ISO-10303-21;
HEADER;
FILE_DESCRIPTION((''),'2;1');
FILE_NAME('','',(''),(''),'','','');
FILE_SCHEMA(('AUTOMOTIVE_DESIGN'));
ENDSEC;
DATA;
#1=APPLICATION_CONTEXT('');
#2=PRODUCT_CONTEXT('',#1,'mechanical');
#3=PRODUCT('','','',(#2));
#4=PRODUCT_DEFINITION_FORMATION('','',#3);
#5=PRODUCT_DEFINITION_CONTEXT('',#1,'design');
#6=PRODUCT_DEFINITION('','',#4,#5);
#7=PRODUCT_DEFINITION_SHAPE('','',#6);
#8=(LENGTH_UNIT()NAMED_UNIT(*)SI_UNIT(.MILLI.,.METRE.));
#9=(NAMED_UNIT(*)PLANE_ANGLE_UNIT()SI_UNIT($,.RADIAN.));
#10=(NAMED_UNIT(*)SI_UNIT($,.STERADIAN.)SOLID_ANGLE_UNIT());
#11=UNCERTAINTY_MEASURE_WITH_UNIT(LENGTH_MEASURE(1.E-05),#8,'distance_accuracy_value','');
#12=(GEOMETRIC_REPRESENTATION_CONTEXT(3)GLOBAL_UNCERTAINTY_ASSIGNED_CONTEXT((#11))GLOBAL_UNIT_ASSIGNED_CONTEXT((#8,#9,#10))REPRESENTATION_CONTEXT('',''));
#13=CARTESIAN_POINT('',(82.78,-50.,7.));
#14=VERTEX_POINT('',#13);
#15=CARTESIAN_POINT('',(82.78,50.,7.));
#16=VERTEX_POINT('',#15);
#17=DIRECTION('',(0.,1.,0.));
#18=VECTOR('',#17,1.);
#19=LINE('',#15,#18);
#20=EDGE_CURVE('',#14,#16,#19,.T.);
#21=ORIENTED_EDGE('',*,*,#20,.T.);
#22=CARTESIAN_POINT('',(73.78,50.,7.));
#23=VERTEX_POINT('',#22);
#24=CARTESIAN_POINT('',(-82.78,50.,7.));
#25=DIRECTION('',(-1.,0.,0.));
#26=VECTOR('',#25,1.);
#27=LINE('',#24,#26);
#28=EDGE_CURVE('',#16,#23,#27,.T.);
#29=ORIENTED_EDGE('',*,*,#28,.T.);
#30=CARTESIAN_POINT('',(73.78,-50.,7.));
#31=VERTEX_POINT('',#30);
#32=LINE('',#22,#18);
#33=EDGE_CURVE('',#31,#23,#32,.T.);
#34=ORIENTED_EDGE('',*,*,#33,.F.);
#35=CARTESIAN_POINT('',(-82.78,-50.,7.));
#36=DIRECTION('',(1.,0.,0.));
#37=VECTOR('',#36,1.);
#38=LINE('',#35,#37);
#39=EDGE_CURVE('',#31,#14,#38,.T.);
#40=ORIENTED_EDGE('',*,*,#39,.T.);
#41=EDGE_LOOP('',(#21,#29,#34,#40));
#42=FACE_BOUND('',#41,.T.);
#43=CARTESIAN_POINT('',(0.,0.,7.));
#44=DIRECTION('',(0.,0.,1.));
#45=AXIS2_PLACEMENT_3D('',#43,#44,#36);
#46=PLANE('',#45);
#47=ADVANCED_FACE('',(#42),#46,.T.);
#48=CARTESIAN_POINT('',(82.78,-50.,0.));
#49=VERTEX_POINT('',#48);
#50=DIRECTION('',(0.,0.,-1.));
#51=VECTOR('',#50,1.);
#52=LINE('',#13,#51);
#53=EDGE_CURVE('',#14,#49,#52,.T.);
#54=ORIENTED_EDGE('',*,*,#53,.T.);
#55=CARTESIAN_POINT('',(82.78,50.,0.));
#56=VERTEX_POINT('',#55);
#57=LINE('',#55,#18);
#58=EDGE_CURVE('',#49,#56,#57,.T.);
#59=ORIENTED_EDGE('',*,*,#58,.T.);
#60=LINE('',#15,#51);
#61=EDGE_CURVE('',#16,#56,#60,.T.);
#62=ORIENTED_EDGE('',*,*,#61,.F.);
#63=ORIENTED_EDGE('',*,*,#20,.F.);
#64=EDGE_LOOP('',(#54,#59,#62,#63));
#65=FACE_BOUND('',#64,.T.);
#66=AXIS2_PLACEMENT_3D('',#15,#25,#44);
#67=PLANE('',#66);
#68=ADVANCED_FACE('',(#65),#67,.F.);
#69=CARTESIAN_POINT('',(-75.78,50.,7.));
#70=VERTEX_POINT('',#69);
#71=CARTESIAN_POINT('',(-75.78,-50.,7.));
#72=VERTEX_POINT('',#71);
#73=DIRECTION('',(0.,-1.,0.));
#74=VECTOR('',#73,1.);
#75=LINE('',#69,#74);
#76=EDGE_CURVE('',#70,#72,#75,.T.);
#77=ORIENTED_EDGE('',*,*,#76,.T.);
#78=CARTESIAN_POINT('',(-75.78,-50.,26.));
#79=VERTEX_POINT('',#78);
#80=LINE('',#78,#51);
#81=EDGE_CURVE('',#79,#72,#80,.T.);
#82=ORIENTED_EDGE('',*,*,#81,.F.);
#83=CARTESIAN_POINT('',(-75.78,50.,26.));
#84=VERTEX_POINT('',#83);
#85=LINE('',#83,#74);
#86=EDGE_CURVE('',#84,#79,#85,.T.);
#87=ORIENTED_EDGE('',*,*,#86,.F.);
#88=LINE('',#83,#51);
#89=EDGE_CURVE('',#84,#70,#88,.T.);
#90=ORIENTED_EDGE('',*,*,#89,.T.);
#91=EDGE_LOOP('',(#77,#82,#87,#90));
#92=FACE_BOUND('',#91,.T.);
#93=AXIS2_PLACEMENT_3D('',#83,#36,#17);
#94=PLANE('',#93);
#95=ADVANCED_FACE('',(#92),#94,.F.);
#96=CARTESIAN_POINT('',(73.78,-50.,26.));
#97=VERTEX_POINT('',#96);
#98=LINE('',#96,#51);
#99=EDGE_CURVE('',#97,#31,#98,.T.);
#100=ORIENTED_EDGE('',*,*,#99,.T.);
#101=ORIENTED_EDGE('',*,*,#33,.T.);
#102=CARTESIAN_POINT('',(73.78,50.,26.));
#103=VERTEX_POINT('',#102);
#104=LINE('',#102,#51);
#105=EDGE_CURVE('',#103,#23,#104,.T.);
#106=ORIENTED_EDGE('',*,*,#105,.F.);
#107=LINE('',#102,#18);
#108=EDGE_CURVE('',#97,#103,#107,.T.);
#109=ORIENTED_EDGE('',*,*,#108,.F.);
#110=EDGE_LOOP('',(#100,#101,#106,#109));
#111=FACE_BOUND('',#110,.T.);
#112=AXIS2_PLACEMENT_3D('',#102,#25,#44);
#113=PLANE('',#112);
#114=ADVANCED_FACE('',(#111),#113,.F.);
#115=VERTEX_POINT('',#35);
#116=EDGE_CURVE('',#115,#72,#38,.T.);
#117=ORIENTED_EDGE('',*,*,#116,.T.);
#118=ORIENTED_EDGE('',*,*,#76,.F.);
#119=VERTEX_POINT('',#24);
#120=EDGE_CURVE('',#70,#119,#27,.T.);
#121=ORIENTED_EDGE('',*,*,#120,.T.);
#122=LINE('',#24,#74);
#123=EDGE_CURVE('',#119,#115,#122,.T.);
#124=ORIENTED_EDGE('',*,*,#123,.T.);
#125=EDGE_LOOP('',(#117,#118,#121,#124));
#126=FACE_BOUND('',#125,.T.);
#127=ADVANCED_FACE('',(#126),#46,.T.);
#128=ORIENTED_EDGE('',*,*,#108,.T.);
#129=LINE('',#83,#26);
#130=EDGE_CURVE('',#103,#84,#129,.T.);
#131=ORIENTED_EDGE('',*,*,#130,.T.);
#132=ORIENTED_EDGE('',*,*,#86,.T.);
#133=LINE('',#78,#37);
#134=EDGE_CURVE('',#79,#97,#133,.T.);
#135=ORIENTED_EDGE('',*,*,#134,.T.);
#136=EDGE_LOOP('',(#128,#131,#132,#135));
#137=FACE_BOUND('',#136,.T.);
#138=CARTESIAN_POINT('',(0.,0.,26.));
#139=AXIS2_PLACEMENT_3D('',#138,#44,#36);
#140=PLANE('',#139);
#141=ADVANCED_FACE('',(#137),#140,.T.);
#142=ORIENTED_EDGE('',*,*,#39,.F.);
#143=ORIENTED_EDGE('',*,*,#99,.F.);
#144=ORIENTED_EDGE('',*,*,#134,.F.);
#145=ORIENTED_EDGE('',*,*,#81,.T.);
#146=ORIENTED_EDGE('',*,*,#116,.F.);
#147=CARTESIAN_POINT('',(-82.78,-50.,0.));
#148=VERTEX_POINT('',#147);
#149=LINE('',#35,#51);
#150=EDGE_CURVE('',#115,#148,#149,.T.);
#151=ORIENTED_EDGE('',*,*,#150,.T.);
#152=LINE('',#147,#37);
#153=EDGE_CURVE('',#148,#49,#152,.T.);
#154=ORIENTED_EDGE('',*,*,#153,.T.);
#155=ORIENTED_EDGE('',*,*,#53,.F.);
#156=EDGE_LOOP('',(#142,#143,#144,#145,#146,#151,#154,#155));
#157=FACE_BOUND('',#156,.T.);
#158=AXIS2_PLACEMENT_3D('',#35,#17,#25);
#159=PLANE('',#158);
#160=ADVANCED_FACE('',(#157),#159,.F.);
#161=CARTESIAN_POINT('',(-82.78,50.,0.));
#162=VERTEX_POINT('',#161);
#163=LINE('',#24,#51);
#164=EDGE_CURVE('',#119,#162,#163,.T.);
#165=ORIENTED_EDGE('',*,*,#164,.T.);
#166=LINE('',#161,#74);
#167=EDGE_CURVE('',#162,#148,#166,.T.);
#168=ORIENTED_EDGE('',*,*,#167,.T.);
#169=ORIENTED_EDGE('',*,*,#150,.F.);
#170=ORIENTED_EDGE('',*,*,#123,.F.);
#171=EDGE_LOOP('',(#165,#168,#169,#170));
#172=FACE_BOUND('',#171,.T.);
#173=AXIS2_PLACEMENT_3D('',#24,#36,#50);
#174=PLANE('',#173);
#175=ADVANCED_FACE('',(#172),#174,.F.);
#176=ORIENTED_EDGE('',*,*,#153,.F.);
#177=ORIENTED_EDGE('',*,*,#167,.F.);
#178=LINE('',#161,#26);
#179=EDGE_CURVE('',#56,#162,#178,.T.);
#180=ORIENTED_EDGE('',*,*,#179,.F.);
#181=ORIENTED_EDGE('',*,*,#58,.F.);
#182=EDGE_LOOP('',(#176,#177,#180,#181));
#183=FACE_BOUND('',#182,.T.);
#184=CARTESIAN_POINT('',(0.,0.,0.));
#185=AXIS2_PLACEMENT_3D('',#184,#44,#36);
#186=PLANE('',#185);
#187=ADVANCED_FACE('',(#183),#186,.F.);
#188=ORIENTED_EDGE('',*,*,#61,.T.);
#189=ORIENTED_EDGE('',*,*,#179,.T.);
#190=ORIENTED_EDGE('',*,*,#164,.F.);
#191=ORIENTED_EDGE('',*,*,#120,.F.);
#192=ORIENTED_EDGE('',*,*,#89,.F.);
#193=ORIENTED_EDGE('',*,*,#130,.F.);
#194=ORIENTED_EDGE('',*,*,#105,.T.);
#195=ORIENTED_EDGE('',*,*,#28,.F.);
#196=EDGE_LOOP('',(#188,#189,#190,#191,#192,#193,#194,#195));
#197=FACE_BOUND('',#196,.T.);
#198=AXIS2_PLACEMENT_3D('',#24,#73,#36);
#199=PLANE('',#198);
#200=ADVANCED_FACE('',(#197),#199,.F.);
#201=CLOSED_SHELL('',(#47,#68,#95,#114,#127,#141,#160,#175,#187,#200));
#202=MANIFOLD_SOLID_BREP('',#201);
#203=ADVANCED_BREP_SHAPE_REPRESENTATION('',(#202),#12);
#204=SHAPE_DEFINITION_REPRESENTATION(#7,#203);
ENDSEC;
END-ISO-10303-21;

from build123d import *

# Parameters (mm, degrees)
ESQUISSE1_W        = 165.56
ESQUISSE1_H        = 100
BOSS_EXTRU_1_DEPTH = 7
ESQUISSE2_W        = 149.56
ESQUISSE2_H        = 100
BOSS_EXTRU_2_DEPTH = 19


with BuildPart() as part:
    # Esquisse1 → Boss.-Extru.1 (new body)
    with BuildSketch(Plane.XY):
        Rectangle(ESQUISSE1_W, ESQUISSE1_H)
    extrude(amount=BOSS_EXTRU_1_DEPTH)

    # Esquisse2 → Boss.-Extru.2 (add)
    with BuildSketch(Plane.XY.offset(7)):
        with Locations((-1, 0)):
            Rectangle(ESQUISSE2_W, ESQUISSE2_H)
    extrude(amount=BOSS_EXTRU_2_DEPTH)


solid = part.part
